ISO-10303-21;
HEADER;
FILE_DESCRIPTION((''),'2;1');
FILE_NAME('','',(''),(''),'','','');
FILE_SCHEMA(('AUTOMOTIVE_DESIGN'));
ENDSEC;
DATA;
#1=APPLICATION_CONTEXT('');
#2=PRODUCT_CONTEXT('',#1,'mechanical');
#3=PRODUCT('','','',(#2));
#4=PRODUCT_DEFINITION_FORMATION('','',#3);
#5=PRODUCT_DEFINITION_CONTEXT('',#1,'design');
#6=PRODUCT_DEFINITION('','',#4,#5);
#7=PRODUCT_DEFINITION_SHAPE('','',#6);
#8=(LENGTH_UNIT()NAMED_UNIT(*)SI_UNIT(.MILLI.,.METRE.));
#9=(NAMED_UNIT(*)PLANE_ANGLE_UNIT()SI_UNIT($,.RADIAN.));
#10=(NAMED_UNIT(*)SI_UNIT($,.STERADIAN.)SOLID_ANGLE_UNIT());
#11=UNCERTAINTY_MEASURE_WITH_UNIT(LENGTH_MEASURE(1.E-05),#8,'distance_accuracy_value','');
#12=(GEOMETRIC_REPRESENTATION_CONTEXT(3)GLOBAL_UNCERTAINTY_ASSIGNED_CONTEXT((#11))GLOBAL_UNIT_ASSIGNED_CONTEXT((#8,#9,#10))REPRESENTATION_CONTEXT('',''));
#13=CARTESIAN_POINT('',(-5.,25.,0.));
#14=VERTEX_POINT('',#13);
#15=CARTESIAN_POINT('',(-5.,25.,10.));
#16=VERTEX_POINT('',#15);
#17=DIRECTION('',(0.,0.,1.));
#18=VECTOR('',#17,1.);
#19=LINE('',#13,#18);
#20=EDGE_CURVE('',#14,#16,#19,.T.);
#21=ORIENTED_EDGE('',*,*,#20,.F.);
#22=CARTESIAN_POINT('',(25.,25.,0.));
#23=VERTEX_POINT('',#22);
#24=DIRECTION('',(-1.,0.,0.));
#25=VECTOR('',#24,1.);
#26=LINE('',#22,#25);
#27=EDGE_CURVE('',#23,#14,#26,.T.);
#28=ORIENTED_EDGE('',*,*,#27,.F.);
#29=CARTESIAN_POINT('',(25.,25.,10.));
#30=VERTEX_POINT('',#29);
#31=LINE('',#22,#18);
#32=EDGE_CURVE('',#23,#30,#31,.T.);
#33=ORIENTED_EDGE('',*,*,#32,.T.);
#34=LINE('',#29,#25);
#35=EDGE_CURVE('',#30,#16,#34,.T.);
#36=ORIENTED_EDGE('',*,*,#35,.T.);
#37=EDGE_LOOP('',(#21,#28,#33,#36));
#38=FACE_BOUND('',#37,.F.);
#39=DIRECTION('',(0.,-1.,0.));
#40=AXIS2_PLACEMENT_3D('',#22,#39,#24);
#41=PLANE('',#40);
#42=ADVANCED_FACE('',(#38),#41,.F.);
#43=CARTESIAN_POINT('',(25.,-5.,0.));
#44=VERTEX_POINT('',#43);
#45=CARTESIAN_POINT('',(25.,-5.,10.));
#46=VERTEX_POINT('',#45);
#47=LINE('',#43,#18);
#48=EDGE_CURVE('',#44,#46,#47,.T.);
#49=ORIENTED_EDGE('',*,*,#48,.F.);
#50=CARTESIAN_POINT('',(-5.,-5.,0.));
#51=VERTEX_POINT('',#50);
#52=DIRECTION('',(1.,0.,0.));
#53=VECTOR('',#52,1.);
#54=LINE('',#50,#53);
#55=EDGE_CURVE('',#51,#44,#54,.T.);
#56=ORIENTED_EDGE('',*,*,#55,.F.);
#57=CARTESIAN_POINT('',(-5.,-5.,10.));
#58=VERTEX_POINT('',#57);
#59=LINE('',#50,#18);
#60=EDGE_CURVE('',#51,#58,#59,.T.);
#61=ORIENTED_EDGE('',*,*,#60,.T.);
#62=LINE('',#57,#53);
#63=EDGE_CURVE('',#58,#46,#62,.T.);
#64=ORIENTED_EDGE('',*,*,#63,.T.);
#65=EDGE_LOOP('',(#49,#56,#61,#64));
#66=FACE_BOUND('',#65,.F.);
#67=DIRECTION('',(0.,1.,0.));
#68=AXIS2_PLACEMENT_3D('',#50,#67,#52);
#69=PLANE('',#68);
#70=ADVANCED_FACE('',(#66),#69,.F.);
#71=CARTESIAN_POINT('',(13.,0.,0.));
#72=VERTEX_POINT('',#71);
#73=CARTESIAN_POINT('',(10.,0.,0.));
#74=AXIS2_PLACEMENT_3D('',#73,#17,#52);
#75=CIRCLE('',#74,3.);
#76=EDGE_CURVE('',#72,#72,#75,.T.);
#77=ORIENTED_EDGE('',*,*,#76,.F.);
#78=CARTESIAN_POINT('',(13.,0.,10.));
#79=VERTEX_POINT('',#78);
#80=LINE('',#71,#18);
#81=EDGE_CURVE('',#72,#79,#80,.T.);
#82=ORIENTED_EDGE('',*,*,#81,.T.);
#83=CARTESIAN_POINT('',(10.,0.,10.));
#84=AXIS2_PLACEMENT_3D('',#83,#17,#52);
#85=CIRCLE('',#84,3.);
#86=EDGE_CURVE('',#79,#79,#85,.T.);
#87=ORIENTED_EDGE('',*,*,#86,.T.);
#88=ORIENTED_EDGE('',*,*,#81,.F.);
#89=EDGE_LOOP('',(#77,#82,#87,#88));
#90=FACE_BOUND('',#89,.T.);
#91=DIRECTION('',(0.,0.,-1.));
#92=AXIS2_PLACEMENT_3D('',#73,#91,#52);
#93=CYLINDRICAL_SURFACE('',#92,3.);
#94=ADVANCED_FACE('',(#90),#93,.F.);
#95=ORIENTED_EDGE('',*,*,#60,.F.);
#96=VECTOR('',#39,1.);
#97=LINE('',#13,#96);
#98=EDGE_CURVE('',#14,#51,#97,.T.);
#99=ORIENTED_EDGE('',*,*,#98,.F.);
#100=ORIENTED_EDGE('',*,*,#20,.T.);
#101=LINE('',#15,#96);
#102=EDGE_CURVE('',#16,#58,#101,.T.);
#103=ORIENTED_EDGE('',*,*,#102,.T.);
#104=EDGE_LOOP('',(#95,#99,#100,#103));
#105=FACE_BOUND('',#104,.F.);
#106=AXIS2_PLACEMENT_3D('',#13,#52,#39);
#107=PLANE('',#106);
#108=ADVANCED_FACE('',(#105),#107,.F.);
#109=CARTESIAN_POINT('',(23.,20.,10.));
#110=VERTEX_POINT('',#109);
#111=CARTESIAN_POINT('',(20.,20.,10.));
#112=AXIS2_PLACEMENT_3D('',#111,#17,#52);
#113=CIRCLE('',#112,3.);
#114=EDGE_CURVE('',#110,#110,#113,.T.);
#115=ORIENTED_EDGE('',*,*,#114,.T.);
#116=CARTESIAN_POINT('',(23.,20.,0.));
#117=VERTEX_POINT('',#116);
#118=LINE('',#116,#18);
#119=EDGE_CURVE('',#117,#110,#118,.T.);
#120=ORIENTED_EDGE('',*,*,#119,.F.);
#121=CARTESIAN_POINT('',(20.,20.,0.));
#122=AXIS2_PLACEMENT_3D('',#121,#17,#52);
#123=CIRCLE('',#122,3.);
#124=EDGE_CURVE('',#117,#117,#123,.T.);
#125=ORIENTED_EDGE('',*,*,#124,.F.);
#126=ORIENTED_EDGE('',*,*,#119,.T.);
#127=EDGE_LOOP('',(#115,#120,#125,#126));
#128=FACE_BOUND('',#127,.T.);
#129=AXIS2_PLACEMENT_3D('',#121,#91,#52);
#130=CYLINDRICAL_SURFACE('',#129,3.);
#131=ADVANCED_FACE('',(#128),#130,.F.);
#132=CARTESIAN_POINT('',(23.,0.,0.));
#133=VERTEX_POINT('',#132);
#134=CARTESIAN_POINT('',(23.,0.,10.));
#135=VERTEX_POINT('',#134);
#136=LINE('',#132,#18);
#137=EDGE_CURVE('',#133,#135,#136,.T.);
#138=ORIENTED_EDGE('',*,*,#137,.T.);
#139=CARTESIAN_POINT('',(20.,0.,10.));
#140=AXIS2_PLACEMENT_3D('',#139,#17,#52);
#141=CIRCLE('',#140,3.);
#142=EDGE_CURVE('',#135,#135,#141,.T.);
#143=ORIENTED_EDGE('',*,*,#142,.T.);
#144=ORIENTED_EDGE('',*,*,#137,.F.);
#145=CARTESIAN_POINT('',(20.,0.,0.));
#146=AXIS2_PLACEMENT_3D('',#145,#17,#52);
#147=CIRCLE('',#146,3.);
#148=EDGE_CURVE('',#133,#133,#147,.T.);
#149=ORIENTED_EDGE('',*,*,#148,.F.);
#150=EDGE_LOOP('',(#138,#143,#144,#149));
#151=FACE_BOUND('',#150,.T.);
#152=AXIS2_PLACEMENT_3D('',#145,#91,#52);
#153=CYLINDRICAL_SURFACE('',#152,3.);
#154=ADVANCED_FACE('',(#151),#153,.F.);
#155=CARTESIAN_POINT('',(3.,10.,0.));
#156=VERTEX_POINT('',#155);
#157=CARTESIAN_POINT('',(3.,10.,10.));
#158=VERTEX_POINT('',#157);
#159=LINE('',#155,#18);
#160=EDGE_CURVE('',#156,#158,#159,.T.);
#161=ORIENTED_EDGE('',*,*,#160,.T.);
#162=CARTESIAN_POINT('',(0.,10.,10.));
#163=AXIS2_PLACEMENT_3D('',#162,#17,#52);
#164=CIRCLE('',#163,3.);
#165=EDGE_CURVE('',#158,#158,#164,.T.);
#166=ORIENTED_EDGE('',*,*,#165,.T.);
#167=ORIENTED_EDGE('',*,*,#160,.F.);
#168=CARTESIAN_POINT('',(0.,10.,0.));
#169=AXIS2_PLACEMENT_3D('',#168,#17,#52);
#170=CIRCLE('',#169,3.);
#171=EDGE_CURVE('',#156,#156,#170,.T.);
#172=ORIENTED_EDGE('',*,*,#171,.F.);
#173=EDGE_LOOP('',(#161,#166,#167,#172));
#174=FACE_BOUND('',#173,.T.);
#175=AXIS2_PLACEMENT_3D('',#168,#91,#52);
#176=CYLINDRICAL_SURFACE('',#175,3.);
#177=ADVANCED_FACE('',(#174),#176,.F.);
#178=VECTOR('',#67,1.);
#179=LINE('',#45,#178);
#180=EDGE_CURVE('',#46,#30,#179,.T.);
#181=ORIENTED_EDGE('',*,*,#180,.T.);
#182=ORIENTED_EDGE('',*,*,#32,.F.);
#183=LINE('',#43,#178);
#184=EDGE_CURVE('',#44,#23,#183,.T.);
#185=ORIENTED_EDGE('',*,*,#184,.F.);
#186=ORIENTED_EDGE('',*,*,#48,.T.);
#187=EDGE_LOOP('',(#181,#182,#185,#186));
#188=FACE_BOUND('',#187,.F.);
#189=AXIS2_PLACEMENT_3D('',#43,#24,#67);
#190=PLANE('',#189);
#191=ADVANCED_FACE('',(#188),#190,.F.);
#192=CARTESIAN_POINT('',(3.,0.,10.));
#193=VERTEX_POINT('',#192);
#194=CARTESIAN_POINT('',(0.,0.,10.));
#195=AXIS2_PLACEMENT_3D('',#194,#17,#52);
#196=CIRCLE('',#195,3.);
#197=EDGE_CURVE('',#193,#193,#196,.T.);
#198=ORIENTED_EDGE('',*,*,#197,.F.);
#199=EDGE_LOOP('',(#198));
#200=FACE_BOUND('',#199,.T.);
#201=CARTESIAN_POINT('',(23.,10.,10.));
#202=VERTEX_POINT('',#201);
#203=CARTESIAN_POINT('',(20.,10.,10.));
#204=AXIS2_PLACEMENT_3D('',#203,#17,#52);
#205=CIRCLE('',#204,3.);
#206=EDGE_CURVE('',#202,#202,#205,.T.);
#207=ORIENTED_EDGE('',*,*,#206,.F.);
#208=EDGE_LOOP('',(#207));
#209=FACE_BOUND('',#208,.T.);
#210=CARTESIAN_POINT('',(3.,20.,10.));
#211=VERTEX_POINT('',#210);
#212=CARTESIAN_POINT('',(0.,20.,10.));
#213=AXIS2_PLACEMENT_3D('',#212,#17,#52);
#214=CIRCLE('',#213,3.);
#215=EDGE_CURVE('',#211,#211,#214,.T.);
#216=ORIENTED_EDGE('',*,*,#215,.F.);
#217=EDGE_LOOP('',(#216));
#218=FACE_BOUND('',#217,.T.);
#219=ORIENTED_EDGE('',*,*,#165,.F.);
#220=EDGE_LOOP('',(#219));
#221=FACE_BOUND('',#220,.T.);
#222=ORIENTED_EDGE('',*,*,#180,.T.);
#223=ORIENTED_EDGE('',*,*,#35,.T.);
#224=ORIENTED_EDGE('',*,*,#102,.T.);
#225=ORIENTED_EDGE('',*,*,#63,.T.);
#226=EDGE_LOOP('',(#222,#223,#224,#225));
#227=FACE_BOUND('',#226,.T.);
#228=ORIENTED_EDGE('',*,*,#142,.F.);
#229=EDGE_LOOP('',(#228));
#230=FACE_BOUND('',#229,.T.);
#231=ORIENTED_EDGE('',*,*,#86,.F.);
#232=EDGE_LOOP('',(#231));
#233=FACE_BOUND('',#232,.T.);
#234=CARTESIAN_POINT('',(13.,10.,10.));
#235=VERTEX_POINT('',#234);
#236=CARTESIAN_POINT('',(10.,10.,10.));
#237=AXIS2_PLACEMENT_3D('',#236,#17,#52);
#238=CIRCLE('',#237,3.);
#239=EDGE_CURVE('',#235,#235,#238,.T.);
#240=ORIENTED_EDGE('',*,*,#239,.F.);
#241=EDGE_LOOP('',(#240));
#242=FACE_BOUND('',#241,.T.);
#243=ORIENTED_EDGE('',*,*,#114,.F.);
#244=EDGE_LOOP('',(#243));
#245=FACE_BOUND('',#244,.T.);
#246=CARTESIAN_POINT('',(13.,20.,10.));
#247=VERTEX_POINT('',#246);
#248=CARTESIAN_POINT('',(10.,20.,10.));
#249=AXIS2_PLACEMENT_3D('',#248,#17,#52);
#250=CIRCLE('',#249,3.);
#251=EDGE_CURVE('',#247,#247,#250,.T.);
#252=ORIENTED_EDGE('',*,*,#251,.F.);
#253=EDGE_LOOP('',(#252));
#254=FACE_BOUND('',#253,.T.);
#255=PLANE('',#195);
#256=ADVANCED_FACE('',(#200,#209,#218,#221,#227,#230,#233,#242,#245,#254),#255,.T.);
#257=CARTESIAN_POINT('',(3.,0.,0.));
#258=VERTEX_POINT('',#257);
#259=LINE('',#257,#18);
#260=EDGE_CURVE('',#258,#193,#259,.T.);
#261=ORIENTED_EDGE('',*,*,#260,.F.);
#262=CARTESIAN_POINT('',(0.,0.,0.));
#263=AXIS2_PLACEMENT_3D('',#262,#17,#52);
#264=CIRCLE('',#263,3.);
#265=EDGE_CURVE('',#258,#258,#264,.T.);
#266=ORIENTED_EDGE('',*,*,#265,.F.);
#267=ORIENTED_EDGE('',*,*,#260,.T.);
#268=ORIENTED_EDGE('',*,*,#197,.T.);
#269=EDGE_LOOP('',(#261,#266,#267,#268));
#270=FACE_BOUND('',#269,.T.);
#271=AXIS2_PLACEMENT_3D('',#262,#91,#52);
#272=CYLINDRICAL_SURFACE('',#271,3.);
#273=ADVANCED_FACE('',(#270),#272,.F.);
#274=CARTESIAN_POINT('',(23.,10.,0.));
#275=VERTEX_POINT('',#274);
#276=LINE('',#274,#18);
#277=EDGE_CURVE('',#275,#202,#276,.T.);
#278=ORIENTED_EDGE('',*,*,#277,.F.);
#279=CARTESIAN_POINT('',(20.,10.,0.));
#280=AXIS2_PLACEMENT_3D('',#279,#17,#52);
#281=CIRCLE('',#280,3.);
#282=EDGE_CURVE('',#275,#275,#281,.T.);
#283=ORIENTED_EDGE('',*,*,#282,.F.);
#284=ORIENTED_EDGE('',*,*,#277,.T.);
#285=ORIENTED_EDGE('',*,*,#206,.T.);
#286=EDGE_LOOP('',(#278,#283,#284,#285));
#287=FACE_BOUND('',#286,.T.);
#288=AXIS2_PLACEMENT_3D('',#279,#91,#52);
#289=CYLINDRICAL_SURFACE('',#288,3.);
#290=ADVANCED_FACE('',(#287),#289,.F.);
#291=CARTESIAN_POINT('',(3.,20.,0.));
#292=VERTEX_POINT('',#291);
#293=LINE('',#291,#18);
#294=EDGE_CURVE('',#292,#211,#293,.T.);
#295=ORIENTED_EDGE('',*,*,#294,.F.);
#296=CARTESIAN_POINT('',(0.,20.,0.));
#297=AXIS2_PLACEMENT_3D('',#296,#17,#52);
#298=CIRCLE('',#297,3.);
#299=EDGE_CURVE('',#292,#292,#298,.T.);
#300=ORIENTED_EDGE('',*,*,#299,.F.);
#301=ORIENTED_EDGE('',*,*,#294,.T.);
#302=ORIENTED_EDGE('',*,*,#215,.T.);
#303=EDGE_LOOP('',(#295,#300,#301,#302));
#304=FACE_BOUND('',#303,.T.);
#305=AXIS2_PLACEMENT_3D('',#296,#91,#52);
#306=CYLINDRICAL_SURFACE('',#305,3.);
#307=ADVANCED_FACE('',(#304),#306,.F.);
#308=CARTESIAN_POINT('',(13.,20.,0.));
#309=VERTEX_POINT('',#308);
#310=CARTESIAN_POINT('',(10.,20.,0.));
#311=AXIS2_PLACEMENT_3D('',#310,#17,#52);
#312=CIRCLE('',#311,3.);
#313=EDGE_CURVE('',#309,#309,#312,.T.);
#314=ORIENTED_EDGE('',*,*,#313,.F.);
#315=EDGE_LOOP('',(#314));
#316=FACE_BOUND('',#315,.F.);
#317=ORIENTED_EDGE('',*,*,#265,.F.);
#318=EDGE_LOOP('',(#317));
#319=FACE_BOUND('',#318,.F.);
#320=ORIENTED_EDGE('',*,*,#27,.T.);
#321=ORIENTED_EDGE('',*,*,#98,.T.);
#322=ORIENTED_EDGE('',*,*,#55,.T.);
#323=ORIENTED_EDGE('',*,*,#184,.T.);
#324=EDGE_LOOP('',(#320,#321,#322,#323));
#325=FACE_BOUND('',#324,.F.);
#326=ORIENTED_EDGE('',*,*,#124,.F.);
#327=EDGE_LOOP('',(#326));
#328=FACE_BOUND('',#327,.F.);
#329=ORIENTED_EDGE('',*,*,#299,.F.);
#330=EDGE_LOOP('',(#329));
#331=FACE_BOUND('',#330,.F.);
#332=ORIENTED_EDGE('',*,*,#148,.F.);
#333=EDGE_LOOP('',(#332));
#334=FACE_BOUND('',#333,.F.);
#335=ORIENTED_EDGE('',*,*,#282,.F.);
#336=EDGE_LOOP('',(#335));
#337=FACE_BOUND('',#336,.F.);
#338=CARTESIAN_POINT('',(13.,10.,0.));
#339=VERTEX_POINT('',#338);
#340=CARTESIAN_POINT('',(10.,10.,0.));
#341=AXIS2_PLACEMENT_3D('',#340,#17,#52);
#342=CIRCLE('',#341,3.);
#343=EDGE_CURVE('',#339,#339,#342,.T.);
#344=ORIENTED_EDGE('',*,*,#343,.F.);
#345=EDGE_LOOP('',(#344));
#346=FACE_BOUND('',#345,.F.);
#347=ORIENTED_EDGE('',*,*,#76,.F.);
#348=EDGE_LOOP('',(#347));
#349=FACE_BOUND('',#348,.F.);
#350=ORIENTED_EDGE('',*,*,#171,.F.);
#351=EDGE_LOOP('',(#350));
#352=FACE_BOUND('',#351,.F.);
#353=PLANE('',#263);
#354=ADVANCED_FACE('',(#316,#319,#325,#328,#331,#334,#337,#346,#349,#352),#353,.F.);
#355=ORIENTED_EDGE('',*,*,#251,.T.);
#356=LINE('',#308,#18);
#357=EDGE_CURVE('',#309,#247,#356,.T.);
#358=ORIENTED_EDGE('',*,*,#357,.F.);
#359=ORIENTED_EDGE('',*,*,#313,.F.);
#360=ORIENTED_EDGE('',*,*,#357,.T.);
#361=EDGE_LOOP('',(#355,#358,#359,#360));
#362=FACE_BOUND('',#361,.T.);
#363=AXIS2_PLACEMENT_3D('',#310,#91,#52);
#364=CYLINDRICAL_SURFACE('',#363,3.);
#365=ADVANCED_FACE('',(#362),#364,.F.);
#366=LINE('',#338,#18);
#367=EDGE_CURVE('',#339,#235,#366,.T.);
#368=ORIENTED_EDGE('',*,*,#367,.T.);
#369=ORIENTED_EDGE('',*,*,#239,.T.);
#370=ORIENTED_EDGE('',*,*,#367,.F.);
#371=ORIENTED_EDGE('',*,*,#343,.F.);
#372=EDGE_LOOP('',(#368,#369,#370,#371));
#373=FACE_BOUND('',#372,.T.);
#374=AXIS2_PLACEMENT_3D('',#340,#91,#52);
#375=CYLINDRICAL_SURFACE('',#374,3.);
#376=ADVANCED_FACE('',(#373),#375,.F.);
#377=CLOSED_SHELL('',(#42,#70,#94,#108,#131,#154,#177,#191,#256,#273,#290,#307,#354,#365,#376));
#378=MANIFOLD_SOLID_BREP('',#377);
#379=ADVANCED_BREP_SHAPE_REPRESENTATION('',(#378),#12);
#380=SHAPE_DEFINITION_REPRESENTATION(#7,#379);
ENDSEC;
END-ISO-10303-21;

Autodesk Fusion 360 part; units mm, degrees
sketch "Sketch1" plane through (0, 0, 0) normal (0, 0, 1) x (1, 0, 0)
  circle A0 centre (0, 0) radius 3
  circle A1 centre (10, 0) radius 3
  circle A2 centre (20, 0) radius 3
  circle A3 centre (0, 10) radius 3
  circle A4 centre (20, 10) radius 3
  circle A5 centre (10, 10) radius 3
  circle A6 centre (0, 20) radius 3
  circle A7 centre (20, 20) radius 3
  circle A8 centre (10, 20) radius 3
  line L0 (25, 25) -> (-5, 25)
  line L1 (-5, 25) -> (-5, -5)
  line L2 (-5, -5) -> (25, -5)
  line L3 (25, -5) -> (25, 25)
  line L4 (25, 25) -> (-5, -5) construction
  line L5 (-5, 25) -> (25, -5) construction
  point P0 (10, 10)
  dimension "d1" = 6
  dimension "d4" = 20
  dimension "d5" = 0
  dimension "d8" = 0
  dimension "d9" = 20
  dimension "d10" = 30
  dimension "d11" = 30
extrude "Extrude1" add sketch "Sketch1" along normal blind 10
